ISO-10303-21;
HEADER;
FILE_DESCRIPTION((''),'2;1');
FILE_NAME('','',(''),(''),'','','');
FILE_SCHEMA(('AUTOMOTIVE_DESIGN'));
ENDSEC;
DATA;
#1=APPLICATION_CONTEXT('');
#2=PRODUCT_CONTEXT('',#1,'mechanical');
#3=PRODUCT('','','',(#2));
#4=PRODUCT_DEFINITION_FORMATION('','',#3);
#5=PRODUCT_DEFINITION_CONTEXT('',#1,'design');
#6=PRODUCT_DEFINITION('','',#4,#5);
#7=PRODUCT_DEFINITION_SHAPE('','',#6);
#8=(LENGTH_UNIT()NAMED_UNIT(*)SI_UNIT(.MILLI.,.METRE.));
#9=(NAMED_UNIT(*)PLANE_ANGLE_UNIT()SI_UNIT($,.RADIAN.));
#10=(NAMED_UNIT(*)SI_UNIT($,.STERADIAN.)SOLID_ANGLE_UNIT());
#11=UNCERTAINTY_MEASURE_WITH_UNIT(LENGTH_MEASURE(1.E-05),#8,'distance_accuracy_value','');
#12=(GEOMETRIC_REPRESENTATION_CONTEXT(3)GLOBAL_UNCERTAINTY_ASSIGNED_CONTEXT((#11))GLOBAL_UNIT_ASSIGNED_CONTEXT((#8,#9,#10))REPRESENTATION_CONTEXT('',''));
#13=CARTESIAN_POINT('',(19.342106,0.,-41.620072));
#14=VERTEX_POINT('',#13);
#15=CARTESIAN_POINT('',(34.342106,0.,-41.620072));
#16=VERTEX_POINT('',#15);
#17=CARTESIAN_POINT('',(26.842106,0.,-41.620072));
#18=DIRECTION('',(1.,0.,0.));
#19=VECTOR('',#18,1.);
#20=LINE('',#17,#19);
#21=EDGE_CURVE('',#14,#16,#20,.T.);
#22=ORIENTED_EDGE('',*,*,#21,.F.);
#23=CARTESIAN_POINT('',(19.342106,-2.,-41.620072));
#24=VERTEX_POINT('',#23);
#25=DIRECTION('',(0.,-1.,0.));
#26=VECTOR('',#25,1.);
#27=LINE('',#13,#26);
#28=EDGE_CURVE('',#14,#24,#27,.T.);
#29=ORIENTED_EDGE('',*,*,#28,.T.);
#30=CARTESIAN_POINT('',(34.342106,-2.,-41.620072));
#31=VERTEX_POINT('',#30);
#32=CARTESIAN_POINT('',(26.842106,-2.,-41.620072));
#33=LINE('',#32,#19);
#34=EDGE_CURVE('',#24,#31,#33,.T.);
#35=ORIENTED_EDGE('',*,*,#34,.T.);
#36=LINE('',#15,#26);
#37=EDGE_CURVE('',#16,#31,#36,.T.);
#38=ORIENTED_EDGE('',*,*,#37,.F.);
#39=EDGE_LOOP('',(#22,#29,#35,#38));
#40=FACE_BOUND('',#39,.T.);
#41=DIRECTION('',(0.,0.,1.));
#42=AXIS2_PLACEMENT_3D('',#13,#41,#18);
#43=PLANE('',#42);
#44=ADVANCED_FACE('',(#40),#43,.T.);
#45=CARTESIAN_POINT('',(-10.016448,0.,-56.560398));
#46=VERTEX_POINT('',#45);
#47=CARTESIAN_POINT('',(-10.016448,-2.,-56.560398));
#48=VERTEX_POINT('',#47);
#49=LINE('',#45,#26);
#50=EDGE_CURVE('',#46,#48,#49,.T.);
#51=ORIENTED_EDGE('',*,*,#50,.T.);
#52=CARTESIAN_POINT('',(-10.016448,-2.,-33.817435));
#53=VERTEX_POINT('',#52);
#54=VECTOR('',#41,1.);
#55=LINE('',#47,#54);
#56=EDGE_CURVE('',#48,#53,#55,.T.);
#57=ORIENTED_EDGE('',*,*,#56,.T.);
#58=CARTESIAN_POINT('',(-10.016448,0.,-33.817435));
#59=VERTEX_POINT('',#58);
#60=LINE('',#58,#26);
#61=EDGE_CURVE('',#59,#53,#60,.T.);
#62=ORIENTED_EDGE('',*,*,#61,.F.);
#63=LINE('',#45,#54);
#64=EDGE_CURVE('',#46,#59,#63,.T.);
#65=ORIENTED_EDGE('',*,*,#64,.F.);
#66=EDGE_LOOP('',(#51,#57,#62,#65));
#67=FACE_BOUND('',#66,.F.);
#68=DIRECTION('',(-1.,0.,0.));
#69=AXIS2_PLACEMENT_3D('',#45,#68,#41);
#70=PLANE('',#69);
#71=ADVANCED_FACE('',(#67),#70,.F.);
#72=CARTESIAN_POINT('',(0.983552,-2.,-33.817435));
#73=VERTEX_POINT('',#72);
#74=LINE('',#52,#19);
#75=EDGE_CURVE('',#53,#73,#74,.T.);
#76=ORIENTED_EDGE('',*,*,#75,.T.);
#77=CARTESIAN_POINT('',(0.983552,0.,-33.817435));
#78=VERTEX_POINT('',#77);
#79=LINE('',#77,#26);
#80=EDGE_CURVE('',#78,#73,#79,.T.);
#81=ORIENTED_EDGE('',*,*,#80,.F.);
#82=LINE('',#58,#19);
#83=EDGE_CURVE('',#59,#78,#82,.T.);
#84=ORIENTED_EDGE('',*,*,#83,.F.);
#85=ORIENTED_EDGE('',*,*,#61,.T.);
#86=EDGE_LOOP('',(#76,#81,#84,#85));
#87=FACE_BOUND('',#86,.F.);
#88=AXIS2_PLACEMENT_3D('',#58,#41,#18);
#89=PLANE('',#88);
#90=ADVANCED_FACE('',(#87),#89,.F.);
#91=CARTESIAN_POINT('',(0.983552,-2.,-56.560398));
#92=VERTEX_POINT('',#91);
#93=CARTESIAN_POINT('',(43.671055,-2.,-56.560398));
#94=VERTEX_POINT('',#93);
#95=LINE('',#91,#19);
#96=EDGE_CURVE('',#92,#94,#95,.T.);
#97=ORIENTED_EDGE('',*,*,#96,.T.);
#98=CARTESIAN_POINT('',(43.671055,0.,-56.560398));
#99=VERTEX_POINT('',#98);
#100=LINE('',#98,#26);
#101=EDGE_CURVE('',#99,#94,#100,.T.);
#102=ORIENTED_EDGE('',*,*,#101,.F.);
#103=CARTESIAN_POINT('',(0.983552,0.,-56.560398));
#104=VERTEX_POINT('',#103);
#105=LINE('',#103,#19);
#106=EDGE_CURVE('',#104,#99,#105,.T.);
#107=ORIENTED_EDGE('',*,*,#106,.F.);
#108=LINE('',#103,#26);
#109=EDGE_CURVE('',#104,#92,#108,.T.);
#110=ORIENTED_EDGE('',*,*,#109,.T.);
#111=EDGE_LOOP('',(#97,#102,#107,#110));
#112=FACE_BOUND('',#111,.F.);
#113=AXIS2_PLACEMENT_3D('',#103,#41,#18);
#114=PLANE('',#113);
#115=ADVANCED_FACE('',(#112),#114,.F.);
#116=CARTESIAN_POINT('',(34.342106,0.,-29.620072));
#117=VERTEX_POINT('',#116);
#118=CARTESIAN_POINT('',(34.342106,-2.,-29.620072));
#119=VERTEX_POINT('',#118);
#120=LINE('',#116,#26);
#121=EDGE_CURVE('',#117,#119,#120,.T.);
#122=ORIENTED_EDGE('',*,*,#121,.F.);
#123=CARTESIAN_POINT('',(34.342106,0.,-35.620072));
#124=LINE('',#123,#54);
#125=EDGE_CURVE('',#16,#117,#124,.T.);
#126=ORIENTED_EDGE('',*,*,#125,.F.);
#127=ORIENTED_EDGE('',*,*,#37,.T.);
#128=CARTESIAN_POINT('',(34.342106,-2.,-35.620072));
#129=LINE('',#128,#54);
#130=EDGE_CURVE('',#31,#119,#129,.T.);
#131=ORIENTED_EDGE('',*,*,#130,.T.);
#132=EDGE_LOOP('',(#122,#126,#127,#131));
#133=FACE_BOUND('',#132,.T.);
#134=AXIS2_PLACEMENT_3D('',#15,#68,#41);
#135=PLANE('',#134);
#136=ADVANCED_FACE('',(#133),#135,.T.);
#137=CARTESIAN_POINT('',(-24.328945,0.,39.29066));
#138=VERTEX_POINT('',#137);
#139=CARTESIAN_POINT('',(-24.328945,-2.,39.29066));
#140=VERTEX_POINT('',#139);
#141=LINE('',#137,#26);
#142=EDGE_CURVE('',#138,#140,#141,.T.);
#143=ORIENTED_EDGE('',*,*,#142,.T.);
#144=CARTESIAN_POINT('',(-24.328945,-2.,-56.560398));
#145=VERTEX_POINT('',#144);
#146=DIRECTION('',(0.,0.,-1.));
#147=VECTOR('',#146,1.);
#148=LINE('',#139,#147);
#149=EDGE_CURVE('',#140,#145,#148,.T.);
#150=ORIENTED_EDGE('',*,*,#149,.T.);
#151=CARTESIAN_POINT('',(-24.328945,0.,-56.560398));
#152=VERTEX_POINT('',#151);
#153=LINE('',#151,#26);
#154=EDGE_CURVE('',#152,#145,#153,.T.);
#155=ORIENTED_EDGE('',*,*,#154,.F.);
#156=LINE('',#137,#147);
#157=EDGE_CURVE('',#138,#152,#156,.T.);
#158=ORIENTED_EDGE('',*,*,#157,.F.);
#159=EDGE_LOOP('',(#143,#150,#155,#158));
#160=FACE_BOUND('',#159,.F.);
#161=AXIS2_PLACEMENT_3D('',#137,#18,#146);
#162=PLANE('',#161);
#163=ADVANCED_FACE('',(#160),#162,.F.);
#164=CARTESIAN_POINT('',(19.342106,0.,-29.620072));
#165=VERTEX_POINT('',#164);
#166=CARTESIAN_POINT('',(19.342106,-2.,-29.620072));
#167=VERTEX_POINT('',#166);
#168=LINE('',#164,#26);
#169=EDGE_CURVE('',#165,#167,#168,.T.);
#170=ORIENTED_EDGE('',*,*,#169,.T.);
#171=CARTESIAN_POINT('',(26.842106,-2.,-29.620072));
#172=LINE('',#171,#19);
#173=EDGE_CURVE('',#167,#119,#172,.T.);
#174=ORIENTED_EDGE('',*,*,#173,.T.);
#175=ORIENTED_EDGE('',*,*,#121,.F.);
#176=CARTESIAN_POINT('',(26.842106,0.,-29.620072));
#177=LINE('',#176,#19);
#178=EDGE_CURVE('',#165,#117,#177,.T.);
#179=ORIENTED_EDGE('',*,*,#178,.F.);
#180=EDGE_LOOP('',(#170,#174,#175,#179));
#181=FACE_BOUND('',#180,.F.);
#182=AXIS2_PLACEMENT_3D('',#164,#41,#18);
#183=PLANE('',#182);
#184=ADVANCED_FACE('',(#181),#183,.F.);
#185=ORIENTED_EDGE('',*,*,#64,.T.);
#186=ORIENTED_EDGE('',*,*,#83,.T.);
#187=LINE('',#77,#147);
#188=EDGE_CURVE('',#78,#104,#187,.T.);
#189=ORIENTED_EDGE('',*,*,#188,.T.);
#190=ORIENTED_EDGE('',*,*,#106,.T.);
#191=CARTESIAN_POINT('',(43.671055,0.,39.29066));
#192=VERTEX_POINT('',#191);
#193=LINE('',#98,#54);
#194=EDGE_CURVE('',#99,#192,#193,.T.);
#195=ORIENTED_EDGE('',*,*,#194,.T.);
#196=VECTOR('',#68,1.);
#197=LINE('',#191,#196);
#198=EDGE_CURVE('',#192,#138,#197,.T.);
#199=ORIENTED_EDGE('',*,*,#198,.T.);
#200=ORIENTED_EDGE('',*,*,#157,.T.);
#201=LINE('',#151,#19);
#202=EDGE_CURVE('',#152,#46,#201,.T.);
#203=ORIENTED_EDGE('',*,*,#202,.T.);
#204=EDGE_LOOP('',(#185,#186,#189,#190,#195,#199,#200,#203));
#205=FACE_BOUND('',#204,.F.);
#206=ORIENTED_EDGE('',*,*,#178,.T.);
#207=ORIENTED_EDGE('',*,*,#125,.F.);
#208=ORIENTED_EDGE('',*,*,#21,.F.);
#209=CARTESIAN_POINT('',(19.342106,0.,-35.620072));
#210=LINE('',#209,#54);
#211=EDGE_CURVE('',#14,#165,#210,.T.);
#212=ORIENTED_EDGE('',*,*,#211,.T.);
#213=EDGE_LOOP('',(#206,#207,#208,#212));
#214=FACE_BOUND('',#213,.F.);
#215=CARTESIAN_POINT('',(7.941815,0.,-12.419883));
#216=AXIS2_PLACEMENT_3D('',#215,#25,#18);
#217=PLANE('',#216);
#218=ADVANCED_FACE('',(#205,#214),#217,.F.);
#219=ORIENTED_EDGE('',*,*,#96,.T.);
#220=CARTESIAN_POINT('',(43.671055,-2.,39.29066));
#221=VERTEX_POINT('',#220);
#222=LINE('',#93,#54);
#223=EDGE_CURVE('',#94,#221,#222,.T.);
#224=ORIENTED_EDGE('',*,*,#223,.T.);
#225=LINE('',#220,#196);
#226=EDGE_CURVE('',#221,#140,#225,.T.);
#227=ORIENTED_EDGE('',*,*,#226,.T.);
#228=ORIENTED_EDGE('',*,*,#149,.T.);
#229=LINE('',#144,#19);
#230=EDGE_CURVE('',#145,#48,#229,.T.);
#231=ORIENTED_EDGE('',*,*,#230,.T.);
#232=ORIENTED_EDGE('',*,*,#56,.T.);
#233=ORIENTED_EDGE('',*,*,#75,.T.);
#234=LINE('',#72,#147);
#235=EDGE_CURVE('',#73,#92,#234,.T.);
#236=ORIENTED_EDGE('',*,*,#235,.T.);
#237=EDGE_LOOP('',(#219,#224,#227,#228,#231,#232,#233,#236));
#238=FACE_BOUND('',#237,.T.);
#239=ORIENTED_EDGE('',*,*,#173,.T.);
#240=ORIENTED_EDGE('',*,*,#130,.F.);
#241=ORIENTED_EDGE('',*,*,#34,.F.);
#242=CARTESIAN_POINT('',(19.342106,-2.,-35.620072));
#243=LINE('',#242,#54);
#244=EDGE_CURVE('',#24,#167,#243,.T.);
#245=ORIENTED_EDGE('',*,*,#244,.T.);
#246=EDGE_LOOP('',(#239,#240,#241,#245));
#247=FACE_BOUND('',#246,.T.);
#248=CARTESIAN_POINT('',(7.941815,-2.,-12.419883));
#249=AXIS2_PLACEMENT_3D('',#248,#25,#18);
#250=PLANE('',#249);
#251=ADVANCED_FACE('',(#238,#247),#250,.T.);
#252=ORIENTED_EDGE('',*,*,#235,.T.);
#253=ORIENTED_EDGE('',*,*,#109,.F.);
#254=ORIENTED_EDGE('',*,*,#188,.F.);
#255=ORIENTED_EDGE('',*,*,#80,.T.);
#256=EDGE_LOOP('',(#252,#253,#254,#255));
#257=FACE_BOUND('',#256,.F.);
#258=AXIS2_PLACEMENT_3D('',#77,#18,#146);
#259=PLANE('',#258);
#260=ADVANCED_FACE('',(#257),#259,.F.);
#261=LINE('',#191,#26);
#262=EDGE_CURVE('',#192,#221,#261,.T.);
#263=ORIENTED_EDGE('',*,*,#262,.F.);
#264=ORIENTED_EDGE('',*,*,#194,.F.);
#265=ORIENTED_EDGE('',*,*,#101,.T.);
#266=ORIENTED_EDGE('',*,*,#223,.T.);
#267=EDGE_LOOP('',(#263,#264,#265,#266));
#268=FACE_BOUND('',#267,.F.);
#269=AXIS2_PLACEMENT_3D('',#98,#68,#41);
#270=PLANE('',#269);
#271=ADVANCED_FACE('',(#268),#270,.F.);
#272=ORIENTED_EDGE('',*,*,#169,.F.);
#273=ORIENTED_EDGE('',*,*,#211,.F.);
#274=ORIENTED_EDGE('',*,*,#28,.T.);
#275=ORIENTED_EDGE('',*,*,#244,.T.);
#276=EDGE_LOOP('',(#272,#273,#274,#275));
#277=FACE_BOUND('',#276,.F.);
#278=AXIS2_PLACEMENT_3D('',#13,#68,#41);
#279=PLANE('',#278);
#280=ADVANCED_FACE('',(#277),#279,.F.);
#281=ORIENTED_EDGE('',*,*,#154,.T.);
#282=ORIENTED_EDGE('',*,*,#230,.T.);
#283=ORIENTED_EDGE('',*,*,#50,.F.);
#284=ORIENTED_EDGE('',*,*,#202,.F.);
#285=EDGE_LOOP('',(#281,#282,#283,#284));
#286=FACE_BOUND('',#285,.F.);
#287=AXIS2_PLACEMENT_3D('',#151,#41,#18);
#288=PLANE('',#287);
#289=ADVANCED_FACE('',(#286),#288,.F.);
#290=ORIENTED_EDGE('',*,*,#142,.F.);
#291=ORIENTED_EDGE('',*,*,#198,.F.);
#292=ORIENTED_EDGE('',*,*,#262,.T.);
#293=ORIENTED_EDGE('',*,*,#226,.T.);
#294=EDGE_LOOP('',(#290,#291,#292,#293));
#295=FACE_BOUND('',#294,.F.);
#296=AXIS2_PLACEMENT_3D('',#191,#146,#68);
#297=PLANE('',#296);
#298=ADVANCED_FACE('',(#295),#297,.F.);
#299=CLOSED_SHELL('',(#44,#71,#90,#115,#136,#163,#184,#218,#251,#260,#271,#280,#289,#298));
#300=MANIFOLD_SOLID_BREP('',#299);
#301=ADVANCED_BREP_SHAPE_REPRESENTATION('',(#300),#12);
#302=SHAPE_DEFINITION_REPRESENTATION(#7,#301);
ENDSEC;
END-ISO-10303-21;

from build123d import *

# Parameters (mm, degrees)
F1_W     = 15
F1_H     = 12
F2_DEPTH = 2


with BuildPart() as f2:
    # F1 (on face) → F2 (new body)
    with BuildSketch(Plane.XZ):
        Polygon((-10.016448, -56.560398), (-10.016448, -33.817435), (0.983552, -33.817435), (0.983552, -56.560398), (43.671055, -56.560398), (43.671055, 39.29066), (-24.328945, 39.29066), (-24.328945, -56.560398), align=None)
        with Locations((26.842106, -35.620072)):
            Rectangle(F1_W, F1_H, mode=Mode.SUBTRACT)
    extrude(amount=F2_DEPTH)


solid = f2.part
